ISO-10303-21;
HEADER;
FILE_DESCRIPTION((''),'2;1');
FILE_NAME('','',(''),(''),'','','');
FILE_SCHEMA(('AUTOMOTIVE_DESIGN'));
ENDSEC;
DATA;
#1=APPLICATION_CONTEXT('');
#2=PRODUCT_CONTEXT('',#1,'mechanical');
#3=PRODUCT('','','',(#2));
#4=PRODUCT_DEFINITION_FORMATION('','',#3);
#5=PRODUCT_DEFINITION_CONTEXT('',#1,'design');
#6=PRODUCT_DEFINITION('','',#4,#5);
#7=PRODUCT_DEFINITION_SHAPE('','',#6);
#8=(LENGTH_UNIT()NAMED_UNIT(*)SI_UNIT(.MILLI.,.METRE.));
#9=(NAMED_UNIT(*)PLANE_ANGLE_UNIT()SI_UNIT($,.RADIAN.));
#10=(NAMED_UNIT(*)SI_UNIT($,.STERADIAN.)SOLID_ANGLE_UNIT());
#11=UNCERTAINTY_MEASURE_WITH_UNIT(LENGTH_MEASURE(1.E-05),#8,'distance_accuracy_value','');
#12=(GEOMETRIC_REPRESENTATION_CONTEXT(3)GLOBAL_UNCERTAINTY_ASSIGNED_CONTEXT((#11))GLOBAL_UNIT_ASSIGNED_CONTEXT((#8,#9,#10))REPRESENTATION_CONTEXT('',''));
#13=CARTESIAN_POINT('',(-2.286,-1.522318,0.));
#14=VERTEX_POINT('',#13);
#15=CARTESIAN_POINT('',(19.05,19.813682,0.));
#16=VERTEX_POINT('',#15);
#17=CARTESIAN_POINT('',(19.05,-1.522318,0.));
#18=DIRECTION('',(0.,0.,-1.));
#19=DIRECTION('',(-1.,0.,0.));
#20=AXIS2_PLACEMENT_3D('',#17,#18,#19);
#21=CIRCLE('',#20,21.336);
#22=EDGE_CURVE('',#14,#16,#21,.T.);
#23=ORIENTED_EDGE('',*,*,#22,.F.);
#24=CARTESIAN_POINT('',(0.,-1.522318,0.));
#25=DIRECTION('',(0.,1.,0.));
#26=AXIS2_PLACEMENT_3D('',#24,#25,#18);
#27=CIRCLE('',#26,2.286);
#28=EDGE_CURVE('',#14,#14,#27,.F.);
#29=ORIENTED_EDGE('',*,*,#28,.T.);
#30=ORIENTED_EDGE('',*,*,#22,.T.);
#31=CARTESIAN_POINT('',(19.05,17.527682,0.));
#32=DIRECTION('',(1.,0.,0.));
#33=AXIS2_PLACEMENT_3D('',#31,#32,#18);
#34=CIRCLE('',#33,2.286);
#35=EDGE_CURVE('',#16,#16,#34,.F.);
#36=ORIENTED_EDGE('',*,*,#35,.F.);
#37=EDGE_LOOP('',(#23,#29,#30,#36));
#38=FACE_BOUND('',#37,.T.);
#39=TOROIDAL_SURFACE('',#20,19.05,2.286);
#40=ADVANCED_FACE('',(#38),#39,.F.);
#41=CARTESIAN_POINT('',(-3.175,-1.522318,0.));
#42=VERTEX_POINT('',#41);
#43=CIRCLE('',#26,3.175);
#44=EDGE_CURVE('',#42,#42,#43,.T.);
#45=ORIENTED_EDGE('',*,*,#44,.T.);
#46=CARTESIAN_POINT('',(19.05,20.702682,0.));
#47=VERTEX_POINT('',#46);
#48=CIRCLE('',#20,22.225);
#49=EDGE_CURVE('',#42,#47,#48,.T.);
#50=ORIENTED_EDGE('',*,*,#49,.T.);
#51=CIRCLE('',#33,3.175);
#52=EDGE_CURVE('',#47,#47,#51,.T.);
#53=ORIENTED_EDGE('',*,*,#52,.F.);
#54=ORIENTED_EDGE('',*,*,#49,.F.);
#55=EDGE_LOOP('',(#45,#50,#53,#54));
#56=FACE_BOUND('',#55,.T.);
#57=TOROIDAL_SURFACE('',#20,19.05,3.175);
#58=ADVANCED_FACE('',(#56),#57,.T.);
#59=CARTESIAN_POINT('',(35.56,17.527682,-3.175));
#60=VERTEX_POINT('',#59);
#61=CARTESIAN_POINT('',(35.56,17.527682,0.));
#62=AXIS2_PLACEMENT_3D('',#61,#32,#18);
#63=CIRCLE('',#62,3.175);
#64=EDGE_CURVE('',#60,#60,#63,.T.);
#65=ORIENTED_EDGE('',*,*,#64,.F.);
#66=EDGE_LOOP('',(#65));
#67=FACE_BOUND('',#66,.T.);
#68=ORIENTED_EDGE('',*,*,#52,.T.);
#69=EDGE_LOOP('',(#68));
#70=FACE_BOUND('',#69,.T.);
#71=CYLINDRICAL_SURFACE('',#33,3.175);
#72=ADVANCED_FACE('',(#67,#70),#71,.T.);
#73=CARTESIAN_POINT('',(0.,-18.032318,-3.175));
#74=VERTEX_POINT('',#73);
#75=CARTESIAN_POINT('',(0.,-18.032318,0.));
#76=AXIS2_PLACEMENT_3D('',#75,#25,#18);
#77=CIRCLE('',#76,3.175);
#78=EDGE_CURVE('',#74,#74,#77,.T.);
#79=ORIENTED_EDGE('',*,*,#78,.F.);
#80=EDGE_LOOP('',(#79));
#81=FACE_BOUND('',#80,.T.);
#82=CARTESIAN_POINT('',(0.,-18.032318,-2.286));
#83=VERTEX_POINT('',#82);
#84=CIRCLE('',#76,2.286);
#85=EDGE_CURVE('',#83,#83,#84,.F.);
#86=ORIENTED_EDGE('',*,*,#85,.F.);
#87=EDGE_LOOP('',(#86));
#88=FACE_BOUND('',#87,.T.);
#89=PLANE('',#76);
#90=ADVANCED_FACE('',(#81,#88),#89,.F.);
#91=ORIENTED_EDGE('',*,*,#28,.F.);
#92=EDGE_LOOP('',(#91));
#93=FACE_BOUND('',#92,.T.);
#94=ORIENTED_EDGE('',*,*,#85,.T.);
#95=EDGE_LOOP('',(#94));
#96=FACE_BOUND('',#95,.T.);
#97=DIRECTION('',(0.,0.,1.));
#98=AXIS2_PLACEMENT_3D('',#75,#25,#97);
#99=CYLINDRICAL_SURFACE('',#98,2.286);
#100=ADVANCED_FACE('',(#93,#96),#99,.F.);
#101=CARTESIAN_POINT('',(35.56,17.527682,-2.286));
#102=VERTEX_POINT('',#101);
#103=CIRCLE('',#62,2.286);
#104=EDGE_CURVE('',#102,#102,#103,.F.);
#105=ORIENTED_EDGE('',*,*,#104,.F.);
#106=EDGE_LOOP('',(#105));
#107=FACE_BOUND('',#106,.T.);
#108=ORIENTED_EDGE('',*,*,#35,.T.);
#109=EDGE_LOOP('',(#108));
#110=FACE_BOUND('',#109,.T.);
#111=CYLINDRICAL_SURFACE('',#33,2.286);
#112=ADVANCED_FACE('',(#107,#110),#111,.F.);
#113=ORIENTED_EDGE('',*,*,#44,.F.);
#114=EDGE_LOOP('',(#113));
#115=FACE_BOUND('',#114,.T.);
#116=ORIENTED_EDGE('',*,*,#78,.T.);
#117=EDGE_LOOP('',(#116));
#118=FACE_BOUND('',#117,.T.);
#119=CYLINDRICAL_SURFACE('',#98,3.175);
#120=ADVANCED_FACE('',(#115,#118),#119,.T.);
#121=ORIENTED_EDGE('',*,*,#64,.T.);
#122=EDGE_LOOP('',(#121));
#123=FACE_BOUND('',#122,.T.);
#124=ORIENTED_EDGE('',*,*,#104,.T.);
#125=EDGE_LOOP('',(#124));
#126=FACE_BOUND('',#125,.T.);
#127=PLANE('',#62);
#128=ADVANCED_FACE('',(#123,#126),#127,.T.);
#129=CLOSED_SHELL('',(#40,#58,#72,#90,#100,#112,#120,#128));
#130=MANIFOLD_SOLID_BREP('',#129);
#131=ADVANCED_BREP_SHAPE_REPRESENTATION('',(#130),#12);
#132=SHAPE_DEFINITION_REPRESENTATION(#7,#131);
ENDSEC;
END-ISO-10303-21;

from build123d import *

# Parameters (mm, degrees)
SKETCH2_R   = 3.175
SKETCH2_R_2 = 2.286


with BuildPart() as part:
    # Sweep1: sweep along a path in Sketch1
    with BuildLine(Plane.XY) as sweep1_path:
        Line((0, -18.032317881), (0, -1.522317881))
        ThreePointArc((0, -1.522317881), (5.579615818, 11.948066301), (19.05, 17.527682119))
        Line((19.05, 17.527682119), (35.56, 17.527682119))
    # Sketch2 → Sweep1 (sweep)
    with BuildSketch(Plane(origin=(35.56, 17.527682119, 0), x_dir=(0, 0, -1), z_dir=(1, 0, 0))):
        Circle(SKETCH2_R)
        Circle(SKETCH2_R_2, mode=Mode.SUBTRACT)
    sweep(path=sweep1_path.line)


solid = part.part
